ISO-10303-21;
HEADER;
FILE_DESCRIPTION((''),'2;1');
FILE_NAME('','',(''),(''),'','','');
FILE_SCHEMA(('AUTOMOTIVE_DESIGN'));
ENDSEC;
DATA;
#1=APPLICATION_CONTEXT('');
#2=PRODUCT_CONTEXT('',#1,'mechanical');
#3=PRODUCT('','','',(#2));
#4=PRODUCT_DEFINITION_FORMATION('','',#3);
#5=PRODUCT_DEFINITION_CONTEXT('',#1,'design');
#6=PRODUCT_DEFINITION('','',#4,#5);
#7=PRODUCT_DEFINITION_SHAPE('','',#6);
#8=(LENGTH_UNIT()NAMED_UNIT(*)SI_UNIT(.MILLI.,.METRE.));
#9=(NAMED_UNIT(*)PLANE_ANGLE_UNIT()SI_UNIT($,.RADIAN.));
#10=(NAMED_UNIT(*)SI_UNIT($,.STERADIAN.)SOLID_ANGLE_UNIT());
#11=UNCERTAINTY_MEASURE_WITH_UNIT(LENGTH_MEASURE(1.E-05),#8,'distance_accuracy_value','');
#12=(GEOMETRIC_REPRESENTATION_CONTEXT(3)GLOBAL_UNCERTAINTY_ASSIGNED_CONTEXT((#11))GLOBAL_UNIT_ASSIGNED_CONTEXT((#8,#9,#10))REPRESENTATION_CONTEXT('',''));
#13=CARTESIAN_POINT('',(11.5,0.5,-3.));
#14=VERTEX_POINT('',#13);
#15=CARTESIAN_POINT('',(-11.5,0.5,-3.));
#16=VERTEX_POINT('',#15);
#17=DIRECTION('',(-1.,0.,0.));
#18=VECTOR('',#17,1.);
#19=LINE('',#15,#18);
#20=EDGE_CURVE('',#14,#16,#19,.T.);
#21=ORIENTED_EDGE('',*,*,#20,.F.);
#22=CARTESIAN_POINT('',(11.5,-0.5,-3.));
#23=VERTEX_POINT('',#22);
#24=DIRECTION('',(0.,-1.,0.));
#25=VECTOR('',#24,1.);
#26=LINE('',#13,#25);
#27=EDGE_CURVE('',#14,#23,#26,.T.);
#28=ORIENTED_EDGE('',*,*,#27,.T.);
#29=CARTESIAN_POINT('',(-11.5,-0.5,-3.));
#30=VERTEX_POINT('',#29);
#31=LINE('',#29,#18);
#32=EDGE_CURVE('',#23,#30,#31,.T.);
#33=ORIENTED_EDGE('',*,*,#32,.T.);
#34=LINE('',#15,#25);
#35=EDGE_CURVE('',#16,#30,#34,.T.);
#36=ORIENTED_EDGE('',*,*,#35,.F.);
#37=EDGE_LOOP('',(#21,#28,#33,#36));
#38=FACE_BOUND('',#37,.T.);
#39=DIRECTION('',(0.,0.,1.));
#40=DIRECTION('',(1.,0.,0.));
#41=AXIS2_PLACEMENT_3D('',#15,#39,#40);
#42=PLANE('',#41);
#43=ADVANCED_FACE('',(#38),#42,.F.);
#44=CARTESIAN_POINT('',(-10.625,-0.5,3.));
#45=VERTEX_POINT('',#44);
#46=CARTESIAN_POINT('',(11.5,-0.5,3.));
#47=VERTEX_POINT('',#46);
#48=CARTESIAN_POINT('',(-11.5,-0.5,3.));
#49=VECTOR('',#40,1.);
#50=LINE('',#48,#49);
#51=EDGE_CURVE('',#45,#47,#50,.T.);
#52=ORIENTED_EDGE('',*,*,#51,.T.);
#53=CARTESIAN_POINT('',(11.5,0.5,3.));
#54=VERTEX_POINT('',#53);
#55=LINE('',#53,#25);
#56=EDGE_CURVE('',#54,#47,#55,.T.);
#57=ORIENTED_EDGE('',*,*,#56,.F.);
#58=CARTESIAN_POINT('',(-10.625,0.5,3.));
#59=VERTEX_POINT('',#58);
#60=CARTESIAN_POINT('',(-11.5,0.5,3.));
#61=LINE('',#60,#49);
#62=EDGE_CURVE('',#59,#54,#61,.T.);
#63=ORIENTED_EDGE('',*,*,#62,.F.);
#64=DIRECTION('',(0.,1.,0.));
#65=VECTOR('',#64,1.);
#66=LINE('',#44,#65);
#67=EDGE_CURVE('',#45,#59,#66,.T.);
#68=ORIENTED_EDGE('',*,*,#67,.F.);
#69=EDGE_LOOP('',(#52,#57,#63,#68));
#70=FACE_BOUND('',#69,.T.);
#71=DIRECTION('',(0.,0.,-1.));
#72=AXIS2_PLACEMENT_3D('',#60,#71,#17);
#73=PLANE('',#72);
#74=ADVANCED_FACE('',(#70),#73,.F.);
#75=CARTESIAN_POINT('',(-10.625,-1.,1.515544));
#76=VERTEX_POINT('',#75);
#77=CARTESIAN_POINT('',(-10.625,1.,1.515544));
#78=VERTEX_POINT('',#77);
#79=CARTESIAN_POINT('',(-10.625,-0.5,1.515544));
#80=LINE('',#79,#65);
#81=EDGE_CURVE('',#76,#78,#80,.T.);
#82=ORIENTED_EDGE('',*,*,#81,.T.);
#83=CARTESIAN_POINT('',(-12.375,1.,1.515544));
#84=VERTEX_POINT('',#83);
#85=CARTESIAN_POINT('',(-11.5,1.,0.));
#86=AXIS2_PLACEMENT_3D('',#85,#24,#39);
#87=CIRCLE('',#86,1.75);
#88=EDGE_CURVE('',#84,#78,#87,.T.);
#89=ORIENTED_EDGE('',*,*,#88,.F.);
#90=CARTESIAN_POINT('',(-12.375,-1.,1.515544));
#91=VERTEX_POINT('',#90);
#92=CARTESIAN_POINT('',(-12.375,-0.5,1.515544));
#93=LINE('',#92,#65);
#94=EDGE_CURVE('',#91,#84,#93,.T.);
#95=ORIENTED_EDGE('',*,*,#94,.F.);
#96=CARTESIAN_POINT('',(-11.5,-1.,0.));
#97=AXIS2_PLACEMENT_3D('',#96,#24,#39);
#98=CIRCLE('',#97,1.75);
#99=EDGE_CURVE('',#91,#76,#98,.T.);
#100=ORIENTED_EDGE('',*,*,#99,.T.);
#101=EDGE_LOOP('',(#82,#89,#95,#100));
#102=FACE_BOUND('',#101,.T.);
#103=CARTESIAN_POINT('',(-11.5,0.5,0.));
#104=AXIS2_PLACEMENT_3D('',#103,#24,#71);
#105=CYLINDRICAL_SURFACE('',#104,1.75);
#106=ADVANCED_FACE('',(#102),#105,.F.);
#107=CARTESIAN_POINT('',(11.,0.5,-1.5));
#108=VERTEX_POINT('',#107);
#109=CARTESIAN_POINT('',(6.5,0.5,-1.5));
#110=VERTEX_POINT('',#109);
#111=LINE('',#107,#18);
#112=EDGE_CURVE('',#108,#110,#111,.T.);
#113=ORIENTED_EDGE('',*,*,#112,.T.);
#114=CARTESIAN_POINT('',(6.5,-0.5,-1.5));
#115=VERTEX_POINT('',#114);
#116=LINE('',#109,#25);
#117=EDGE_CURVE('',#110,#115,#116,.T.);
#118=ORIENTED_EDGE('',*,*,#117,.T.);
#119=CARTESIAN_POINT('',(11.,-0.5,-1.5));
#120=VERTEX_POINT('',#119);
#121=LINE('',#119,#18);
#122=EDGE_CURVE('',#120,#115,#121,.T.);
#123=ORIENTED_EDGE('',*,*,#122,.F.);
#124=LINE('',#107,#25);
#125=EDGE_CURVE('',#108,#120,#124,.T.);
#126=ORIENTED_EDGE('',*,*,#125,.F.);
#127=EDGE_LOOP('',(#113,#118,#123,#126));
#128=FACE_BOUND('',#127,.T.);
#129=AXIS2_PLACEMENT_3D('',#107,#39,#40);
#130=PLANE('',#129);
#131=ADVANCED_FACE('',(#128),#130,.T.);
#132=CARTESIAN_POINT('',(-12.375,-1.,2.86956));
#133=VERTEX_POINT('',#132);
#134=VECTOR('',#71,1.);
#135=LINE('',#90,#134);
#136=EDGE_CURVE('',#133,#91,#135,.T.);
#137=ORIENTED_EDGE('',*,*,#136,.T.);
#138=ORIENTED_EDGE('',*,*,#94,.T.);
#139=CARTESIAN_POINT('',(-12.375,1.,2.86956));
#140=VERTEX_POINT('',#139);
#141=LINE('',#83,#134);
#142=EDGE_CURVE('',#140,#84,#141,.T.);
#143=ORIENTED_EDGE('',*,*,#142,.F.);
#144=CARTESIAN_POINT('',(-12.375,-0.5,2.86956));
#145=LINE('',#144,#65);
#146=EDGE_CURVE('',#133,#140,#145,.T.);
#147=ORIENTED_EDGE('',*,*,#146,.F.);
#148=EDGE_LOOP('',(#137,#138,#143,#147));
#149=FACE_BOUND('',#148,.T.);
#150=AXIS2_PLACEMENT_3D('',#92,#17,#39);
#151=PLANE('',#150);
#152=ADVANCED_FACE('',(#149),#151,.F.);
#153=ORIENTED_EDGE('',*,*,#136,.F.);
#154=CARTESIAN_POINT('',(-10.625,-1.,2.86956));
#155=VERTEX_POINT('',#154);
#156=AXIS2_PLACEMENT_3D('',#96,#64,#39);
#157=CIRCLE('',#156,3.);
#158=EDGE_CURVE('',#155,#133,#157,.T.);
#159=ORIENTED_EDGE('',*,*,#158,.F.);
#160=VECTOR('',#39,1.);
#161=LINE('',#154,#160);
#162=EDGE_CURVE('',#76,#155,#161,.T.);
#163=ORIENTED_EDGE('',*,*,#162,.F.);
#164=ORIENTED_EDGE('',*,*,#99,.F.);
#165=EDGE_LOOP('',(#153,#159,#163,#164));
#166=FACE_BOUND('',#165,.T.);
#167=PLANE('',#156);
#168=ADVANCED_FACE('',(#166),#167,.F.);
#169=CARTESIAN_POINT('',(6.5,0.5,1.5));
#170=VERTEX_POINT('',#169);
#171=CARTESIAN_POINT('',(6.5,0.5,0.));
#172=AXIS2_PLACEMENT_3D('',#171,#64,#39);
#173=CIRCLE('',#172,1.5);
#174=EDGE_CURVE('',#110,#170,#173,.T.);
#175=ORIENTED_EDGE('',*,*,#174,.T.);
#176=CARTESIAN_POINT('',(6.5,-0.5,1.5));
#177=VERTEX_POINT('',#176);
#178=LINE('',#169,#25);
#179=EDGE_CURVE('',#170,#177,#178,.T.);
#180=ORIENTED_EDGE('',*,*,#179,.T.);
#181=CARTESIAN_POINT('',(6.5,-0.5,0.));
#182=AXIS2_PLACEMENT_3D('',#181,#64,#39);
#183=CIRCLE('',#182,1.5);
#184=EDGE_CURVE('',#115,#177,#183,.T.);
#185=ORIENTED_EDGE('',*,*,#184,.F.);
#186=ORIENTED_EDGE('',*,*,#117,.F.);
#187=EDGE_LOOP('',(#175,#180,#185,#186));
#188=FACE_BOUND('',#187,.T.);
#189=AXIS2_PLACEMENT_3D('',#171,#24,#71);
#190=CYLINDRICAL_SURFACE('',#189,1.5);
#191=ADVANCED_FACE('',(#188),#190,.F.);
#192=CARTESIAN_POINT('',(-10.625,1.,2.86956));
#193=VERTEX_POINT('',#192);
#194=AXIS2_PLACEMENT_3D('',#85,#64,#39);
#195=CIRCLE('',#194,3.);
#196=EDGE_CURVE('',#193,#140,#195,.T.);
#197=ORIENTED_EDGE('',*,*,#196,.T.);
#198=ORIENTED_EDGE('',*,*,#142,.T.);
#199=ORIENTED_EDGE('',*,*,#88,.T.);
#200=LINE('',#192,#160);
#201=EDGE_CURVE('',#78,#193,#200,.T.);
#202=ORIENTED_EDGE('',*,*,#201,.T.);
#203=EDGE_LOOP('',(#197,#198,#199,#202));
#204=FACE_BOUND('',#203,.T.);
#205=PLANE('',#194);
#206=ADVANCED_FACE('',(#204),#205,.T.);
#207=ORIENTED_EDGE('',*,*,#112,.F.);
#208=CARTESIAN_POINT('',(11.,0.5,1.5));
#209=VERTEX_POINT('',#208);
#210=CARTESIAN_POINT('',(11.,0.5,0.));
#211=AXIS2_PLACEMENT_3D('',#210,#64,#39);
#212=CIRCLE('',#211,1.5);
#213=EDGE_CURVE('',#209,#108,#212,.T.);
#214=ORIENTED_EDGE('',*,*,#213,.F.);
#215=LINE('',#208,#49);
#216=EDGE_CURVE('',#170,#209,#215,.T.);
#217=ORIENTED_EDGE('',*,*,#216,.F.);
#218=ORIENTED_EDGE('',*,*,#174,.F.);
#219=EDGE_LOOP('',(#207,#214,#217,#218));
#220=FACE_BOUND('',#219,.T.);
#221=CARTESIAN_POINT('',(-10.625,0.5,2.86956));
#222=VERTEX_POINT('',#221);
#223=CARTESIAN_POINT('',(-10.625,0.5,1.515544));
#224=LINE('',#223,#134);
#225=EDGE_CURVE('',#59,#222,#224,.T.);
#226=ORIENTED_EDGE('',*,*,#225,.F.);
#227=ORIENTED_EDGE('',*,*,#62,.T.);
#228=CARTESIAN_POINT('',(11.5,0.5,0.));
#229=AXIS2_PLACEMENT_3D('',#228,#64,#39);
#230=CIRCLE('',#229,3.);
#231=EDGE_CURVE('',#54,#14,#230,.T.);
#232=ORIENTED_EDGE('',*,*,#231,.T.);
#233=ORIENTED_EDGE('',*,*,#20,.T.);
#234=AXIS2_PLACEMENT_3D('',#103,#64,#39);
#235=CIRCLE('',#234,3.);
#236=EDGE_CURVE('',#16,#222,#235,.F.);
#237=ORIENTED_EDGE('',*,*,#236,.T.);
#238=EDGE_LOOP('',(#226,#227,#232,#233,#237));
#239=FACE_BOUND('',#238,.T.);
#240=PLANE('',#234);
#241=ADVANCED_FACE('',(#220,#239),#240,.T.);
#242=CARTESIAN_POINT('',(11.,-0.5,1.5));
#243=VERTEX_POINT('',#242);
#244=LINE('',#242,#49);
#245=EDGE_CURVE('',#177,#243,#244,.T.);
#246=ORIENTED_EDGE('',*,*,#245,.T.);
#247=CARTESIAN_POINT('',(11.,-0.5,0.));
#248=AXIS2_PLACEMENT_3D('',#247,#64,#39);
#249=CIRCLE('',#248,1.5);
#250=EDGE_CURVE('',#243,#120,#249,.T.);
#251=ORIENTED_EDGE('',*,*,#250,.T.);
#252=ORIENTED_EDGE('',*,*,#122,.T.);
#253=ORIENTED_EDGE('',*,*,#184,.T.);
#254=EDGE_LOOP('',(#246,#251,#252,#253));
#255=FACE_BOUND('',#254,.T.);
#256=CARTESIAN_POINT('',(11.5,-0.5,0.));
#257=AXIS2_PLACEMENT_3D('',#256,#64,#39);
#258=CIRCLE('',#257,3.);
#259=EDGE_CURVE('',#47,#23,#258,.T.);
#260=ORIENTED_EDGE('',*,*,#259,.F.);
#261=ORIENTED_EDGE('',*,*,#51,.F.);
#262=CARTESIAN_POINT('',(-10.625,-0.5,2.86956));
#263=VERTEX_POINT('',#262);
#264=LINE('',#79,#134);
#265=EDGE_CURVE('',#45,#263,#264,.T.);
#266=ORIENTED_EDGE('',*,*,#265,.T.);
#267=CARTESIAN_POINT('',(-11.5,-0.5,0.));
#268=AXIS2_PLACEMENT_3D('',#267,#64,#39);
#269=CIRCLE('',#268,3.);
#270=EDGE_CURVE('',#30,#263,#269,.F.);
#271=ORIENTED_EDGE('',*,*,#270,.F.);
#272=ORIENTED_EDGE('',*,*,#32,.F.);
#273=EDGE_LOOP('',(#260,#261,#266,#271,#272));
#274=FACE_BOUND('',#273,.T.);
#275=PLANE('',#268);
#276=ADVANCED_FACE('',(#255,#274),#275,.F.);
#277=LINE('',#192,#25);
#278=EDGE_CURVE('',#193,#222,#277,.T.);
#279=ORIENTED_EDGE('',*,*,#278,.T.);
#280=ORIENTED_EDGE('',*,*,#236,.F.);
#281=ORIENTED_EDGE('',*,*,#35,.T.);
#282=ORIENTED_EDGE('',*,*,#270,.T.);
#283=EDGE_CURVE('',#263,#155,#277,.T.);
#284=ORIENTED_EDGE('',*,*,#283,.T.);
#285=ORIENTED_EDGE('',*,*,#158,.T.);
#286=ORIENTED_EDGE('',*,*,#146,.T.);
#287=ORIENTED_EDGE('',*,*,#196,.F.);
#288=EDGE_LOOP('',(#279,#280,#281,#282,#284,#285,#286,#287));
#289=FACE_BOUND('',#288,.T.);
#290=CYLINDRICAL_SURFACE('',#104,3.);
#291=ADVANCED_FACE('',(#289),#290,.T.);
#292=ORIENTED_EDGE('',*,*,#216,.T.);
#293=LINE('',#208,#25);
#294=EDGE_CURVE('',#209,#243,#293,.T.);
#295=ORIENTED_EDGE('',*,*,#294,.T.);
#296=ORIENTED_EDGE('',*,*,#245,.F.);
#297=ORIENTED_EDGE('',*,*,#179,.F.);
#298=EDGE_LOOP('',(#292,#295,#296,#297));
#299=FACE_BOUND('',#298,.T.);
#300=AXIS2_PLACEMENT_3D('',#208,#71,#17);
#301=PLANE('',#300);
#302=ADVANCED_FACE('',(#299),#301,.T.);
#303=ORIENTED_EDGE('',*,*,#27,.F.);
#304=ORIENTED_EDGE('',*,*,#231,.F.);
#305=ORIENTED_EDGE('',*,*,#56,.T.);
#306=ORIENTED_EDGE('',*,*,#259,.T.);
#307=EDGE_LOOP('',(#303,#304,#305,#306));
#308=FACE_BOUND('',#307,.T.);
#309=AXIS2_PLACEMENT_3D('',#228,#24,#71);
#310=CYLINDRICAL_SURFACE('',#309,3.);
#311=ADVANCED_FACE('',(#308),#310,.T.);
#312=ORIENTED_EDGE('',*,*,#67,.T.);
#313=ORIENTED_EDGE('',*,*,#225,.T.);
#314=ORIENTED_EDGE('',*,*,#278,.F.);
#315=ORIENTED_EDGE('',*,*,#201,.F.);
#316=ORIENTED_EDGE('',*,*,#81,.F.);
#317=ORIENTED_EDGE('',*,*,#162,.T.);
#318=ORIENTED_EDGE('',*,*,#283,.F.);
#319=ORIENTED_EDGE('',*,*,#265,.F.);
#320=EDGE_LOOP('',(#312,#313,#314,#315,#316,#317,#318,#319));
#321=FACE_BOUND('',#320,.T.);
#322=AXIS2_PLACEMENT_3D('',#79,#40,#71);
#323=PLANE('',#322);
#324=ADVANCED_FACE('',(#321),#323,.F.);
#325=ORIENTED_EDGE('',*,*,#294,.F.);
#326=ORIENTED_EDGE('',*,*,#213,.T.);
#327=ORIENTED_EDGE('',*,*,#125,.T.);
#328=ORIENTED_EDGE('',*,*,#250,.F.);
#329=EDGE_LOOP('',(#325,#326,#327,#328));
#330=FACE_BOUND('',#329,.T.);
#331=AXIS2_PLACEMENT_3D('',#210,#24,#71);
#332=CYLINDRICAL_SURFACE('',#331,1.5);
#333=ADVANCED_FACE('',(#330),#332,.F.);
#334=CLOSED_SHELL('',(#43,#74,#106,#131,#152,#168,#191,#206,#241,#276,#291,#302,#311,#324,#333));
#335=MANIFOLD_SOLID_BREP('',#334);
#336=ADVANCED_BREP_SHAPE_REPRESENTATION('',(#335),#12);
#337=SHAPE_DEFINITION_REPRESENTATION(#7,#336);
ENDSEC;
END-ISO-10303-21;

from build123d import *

# Parameters (mm, degrees)
SCHIZZO1_R                    = 1.75
ESTRUSIONE_ESTRUSIONE1_DEPTH  = 0.5
TAGLIO_ESTRUSIONE2_DEPTH      = 15.81553239
TAGLIO_ESTRUSIONE2_DEPTH_BACK = 15.81553239
ESTRUSIONE_ESTRUSIONE2_DEPTH  = 1


with BuildPart() as part:
    # Schizzo1 → Estrusione-Estrusione1 (new, symmetric)
    with BuildSketch(Plane(origin=(0, 0, 0), x_dir=(1, 0, 0), z_dir=(0, 1, 0))):
        with BuildLine():
            Line((-11.5, 3), (11.5, 3))
            ThreePointArc((11.5, 3), (14.5, 0), (11.5, -3))
            Line((11.5, -3), (-11.5, -3))
            ThreePointArc((-11.5, -3), (-14.5, 0), (-11.5, 3))
        make_face()
        with Locations(Location((-11.5, 0, 0), (0, 0, 270))):
            Circle(SCHIZZO1_R, mode=Mode.SUBTRACT)
        with BuildLine():
            Line((11, -1.5), (6.5, -1.5))
            ThreePointArc((6.5, -1.5), (5, 0), (6.5, 1.5))
            Line((6.5, 1.5), (11, 1.5))
            ThreePointArc((11, 1.5), (12.5, 0), (11, -1.5))
        make_face(mode=Mode.SUBTRACT)
    extrude(amount=ESTRUSIONE_ESTRUSIONE1_DEPTH, both=True)

    # Schizzo2 → Taglio-Estrusione2 (cut, two sides: drawn at the far end of the back side and taken through both)
    with BuildSketch(Plane(origin=(0, 0, 0), x_dir=(1, 0, 0), z_dir=(0, 1, 0)).offset(-TAGLIO_ESTRUSIONE2_DEPTH_BACK)):
        with BuildLine():
            Line((-10.625, -1.515544457), (-10.625, -3))
            Line((-10.625, -3), (-11.5, -3))
            ThreePointArc((-11.5, -3), (-11.942334595, -2.967210829), (-12.375, -2.869560071))
            Line((-12.375, -2.869560071), (-12.375, -1.515544457))
            ThreePointArc((-12.375, -1.515544457), (-11.5, -1.75), (-10.625, -1.515544457))
        make_face()
    extrude(amount=TAGLIO_ESTRUSIONE2_DEPTH + TAGLIO_ESTRUSIONE2_DEPTH_BACK, mode=Mode.SUBTRACT)

    # Schizzo4 → Estrusione-Estrusione2 (add, symmetric)
    with BuildSketch(Plane(origin=(0, 0, 0), x_dir=(1, 0, 0), z_dir=(0, 1, 0))):
        with BuildLine():
            Line((-10.625, -2.869560071), (-10.625, -1.515544457))
            ThreePointArc((-10.625, -1.515544457), (-11.5, 1.75), (-12.375, -1.515544457))
            Line((-12.375, -1.515544457), (-12.375, -2.869560071))
            ThreePointArc((-12.375, -2.869560071), (-11.5, 3), (-10.625, -2.869560071))
        make_face()
    extrude(amount=ESTRUSIONE_ESTRUSIONE2_DEPTH, both=True)


solid = part.part
